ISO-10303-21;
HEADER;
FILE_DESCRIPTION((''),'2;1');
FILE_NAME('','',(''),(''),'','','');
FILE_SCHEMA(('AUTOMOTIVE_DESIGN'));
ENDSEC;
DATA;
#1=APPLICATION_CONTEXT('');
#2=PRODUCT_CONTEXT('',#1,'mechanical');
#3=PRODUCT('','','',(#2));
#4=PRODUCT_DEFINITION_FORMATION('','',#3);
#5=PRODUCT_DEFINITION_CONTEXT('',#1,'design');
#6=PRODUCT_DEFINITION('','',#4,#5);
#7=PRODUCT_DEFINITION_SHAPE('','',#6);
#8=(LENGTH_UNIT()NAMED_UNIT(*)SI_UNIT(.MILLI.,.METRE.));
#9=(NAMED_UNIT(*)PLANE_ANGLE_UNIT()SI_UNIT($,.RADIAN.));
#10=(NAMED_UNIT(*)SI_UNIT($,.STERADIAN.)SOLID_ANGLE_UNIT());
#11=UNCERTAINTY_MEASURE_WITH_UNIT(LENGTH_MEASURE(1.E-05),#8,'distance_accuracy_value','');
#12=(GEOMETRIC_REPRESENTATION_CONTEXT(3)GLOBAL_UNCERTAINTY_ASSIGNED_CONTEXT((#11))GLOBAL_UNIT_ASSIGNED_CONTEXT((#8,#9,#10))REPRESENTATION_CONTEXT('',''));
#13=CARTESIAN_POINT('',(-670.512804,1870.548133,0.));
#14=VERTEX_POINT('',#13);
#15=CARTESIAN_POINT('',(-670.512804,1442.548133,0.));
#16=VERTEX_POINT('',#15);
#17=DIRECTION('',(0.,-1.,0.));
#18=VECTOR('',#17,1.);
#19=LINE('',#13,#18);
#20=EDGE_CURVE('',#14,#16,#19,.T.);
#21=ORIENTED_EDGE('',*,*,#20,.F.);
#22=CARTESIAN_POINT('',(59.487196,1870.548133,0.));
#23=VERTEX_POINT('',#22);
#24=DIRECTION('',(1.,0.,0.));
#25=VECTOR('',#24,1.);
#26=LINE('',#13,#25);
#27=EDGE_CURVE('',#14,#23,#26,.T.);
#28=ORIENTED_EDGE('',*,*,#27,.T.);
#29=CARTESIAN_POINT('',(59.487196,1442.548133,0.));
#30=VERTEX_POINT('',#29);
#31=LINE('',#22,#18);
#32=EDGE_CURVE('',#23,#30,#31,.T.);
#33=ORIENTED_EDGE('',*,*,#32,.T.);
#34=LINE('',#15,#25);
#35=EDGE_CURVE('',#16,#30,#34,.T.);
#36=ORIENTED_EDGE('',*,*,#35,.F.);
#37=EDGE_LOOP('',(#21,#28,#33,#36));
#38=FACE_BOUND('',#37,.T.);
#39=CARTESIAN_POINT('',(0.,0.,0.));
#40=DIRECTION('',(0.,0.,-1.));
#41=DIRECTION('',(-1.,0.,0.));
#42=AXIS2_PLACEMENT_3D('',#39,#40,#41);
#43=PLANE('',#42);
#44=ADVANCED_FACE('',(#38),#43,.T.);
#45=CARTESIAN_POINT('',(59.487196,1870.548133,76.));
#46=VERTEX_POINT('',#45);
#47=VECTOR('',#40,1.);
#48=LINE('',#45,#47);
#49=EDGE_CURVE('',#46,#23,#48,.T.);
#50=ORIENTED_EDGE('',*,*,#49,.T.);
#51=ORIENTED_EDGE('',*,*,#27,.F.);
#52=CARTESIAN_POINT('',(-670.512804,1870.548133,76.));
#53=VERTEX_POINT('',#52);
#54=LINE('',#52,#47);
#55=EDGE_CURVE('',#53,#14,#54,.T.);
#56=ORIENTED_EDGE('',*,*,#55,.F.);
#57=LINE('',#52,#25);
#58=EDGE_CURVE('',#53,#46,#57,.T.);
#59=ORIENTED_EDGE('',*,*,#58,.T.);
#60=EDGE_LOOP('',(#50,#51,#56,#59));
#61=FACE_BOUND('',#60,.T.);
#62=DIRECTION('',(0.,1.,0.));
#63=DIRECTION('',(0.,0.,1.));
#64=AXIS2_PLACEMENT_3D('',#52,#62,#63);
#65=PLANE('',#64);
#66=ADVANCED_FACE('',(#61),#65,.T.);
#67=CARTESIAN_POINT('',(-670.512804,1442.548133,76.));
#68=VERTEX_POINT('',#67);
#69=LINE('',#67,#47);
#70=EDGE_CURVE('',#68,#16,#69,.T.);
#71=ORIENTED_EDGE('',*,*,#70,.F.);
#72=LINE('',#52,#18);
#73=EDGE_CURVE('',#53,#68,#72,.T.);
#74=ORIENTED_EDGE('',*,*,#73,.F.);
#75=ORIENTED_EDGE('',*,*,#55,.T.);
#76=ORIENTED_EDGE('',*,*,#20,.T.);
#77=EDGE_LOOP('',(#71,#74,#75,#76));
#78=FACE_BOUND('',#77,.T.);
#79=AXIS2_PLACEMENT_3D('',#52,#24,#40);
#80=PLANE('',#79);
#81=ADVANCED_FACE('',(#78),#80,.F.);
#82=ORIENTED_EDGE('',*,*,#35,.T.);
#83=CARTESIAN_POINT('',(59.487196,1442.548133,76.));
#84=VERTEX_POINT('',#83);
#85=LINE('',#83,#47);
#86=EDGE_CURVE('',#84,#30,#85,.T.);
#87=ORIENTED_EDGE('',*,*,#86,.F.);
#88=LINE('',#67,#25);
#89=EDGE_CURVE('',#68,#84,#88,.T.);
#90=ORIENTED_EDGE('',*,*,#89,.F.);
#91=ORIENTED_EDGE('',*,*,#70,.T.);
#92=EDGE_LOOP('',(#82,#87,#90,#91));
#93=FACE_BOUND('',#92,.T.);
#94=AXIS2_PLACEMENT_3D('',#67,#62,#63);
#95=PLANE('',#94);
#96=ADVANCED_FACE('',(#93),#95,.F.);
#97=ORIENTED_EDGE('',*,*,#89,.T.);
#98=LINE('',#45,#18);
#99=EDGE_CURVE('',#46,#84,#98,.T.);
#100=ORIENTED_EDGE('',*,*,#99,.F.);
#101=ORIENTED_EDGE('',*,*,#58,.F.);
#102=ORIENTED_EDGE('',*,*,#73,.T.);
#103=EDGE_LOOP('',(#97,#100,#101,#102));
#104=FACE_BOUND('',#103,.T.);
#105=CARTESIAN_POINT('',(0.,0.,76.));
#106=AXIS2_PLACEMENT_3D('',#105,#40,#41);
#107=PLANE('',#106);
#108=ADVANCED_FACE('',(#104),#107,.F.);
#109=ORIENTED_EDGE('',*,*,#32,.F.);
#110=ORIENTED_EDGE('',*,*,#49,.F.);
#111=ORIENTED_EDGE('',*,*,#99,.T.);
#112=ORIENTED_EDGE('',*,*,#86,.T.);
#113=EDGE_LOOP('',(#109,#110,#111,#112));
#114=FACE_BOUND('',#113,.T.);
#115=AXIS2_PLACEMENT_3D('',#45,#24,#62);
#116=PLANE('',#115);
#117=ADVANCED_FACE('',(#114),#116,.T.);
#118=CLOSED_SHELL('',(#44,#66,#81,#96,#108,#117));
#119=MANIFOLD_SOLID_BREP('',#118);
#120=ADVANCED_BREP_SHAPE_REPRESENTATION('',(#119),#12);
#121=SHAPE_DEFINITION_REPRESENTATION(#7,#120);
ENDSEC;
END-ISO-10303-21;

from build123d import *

# Parameters (mm, degrees)
ESBO_O1_W                = 730
ESBO_O1_H                = 428
RESSALTO_EXTRUS_O1_DEPTH = 76


with BuildPart() as part:
    # Esboço1 → Ressalto-extrusão1 (new body)
    with BuildSketch(Plane.XY):
        with Locations((-305.512804065, 1656.548133025)):
            Rectangle(ESBO_O1_W, ESBO_O1_H)
    extrude(amount=RESSALTO_EXTRUS_O1_DEPTH)


solid = part.part
